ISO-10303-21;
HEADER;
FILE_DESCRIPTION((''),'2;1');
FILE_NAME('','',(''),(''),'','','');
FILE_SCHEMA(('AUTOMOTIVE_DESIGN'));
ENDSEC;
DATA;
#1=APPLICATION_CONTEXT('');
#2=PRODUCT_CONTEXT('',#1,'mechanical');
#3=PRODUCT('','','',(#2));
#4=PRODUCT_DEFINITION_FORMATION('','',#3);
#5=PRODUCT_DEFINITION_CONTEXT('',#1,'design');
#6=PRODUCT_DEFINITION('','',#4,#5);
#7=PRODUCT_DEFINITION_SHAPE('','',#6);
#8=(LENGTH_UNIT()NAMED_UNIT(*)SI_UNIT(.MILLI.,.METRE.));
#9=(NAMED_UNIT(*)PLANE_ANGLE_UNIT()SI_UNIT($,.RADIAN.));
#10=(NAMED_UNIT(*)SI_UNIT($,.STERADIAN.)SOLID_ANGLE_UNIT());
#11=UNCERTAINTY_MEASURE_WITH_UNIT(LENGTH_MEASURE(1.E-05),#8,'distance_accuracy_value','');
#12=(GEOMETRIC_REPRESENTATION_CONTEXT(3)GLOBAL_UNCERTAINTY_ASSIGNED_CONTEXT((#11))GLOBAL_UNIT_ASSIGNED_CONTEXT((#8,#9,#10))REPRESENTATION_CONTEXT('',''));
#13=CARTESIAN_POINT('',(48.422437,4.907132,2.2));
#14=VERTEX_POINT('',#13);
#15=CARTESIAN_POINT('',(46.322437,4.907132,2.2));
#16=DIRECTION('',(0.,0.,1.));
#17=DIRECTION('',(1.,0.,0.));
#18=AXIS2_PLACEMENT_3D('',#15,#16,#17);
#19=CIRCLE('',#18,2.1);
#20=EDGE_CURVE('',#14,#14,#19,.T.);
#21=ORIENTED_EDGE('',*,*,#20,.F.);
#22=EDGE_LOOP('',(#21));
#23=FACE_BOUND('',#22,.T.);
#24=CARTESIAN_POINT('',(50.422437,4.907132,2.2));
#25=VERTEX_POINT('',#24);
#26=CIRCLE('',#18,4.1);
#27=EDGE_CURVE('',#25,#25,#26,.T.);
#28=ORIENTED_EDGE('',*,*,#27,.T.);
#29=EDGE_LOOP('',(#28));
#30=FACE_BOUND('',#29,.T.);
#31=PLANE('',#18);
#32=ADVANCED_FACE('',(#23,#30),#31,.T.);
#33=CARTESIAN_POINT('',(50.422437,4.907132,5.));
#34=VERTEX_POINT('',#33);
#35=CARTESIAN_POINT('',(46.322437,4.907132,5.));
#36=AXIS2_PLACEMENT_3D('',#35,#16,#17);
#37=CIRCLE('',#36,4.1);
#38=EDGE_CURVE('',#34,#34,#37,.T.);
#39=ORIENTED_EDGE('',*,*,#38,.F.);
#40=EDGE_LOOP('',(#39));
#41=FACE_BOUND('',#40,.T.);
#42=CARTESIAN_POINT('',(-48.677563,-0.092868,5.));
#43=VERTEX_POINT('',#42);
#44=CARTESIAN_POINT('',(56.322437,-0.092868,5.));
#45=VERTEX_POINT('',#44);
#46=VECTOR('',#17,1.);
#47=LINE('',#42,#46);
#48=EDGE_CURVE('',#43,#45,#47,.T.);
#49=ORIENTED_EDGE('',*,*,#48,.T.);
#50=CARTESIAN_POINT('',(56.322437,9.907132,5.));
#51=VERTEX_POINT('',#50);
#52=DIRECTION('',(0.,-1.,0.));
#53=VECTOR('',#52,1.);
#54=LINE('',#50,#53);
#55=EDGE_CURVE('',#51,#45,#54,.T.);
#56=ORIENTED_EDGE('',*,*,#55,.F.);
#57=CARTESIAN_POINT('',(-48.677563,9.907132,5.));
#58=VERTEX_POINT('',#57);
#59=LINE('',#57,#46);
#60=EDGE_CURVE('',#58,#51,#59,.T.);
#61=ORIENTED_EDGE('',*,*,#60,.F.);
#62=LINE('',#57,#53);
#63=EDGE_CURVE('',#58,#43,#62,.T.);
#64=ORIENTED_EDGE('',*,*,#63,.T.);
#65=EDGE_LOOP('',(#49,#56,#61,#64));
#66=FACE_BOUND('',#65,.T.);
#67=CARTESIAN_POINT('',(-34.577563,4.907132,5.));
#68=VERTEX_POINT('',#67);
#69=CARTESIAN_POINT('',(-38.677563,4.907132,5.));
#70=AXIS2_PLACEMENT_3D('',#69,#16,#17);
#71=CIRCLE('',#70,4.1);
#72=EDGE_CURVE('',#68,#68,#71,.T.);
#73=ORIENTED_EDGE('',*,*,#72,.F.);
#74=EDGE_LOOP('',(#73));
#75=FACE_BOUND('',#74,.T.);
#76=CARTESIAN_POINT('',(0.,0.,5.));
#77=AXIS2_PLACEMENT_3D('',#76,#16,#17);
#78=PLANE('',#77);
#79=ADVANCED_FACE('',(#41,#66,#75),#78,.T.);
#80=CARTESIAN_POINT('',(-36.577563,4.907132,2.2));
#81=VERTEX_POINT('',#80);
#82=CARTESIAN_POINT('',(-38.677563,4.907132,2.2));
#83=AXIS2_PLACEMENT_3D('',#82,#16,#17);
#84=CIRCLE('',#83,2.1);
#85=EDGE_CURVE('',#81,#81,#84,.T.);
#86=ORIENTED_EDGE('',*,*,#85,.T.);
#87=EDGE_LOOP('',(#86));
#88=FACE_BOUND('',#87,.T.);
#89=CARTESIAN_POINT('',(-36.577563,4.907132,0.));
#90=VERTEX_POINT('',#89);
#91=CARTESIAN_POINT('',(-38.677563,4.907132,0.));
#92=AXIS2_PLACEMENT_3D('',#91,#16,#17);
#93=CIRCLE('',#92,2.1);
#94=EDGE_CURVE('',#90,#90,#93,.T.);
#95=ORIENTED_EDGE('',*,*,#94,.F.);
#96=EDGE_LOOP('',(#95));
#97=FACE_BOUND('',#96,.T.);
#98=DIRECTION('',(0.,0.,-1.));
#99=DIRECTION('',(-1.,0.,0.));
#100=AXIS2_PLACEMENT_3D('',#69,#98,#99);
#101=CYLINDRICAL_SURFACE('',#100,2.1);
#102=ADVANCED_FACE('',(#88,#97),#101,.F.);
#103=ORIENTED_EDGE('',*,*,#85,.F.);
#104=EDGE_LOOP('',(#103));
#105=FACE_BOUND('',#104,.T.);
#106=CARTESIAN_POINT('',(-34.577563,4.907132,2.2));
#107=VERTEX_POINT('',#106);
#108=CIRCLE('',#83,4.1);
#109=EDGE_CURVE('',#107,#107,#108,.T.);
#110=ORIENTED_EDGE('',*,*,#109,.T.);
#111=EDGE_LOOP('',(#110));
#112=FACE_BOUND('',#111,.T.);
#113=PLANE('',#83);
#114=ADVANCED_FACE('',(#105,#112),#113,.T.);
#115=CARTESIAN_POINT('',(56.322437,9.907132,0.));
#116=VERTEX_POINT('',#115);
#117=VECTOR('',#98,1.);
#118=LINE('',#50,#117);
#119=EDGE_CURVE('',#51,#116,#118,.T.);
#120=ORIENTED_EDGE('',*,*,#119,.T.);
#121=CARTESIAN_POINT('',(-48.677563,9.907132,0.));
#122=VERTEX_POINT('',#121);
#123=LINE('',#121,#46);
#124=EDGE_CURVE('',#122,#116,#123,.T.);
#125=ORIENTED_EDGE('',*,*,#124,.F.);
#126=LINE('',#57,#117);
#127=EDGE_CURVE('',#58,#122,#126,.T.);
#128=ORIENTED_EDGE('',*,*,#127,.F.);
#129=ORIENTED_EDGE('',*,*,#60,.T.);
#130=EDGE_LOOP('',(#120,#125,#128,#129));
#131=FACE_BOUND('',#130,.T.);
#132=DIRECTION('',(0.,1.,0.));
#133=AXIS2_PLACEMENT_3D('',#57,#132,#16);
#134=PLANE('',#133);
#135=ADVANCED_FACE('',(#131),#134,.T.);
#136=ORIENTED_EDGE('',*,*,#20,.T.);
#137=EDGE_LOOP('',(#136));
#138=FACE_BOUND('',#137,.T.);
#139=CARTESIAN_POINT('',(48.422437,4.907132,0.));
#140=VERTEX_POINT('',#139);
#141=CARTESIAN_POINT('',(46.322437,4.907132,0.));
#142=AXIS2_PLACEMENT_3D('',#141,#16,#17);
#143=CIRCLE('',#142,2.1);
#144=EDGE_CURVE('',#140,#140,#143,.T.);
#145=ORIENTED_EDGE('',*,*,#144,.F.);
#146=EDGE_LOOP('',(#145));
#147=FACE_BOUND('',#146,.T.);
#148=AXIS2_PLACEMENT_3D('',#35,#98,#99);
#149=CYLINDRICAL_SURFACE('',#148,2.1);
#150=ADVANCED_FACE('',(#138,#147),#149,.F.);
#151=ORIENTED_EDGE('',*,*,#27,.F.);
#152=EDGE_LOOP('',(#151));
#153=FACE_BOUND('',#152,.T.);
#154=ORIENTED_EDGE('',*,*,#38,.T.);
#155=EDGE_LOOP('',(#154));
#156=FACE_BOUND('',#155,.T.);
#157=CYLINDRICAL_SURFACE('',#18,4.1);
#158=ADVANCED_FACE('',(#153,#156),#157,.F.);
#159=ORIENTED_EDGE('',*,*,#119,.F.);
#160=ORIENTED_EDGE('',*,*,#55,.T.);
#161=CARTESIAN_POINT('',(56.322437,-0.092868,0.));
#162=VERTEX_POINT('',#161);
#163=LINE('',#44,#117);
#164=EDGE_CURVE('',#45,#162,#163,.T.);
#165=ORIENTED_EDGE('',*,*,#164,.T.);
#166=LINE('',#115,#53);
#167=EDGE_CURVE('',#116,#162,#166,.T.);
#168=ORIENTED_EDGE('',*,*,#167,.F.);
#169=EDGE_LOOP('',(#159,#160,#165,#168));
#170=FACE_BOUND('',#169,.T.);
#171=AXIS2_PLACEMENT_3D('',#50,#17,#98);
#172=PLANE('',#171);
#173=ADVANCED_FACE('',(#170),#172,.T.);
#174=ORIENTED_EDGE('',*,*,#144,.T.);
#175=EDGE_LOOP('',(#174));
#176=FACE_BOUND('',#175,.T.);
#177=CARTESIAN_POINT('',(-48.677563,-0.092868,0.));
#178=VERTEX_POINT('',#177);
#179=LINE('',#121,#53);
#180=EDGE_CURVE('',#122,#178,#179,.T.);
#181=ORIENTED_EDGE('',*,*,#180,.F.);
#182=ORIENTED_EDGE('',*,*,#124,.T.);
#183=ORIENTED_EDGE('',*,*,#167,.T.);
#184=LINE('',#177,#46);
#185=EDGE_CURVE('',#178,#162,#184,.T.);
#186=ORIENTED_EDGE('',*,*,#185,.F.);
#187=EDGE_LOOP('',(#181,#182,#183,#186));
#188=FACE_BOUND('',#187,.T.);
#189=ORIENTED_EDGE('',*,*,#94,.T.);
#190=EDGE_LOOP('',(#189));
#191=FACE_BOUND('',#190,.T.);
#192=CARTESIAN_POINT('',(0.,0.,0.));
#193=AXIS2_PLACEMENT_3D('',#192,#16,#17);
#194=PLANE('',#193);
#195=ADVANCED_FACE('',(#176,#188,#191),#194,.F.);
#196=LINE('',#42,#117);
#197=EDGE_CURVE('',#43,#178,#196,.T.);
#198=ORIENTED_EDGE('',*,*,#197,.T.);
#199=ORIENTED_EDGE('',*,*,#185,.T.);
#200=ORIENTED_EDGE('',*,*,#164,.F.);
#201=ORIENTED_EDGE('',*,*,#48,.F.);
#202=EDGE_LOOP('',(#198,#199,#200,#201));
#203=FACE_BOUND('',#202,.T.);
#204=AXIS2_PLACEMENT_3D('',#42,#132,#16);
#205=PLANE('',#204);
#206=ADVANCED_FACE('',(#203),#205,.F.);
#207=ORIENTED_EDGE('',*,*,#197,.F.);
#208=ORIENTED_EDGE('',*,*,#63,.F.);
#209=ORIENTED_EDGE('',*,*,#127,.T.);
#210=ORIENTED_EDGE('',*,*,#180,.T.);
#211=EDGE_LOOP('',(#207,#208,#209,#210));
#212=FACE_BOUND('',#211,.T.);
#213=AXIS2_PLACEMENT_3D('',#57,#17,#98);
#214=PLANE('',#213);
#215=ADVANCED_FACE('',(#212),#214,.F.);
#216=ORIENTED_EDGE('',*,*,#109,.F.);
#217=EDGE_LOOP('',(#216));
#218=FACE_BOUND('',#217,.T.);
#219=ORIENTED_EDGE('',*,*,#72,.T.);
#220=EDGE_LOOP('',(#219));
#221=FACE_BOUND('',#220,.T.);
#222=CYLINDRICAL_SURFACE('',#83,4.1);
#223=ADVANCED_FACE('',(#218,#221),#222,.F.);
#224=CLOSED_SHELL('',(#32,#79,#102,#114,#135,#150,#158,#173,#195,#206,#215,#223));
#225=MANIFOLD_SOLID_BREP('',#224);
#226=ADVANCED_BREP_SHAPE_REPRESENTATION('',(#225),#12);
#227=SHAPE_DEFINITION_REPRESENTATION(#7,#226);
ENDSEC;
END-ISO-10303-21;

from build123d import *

# Parameters (mm, degrees)
SKETCH_1_W          = 105
SKETCH_1_H          = 10
SKETCH_1_R          = 2.1
EXTRUDE_1_DEPTH     = 5
SKETCH_2_R          = 4.1
CUT_EXTRUDE_1_DEPTH = 2.8


with BuildPart() as part:
    # 草圖1 → 填料-伸長1 (new body)
    with BuildSketch(Plane.XY):
        with Locations((3.82243685, 4.907132244)):
            Rectangle(SKETCH_1_W, SKETCH_1_H)
        with Locations((-38.67756315, 4.907132244)):
            Circle(SKETCH_1_R, mode=Mode.SUBTRACT)
        with Locations((46.32243685, 4.907132244)):
            Circle(SKETCH_1_R, mode=Mode.SUBTRACT)
    extrude(amount=EXTRUDE_1_DEPTH)

    # 草圖2 → 除料-伸長1 (cut)
    with BuildSketch(Plane.XY.offset(5)):
        with Locations((-38.67756315, 4.907132244)):
            Circle(SKETCH_2_R)
        with Locations((46.32243685, 4.907132244)):
            Circle(SKETCH_2_R)
    extrude(amount=-CUT_EXTRUDE_1_DEPTH, mode=Mode.SUBTRACT)


solid = part.part
